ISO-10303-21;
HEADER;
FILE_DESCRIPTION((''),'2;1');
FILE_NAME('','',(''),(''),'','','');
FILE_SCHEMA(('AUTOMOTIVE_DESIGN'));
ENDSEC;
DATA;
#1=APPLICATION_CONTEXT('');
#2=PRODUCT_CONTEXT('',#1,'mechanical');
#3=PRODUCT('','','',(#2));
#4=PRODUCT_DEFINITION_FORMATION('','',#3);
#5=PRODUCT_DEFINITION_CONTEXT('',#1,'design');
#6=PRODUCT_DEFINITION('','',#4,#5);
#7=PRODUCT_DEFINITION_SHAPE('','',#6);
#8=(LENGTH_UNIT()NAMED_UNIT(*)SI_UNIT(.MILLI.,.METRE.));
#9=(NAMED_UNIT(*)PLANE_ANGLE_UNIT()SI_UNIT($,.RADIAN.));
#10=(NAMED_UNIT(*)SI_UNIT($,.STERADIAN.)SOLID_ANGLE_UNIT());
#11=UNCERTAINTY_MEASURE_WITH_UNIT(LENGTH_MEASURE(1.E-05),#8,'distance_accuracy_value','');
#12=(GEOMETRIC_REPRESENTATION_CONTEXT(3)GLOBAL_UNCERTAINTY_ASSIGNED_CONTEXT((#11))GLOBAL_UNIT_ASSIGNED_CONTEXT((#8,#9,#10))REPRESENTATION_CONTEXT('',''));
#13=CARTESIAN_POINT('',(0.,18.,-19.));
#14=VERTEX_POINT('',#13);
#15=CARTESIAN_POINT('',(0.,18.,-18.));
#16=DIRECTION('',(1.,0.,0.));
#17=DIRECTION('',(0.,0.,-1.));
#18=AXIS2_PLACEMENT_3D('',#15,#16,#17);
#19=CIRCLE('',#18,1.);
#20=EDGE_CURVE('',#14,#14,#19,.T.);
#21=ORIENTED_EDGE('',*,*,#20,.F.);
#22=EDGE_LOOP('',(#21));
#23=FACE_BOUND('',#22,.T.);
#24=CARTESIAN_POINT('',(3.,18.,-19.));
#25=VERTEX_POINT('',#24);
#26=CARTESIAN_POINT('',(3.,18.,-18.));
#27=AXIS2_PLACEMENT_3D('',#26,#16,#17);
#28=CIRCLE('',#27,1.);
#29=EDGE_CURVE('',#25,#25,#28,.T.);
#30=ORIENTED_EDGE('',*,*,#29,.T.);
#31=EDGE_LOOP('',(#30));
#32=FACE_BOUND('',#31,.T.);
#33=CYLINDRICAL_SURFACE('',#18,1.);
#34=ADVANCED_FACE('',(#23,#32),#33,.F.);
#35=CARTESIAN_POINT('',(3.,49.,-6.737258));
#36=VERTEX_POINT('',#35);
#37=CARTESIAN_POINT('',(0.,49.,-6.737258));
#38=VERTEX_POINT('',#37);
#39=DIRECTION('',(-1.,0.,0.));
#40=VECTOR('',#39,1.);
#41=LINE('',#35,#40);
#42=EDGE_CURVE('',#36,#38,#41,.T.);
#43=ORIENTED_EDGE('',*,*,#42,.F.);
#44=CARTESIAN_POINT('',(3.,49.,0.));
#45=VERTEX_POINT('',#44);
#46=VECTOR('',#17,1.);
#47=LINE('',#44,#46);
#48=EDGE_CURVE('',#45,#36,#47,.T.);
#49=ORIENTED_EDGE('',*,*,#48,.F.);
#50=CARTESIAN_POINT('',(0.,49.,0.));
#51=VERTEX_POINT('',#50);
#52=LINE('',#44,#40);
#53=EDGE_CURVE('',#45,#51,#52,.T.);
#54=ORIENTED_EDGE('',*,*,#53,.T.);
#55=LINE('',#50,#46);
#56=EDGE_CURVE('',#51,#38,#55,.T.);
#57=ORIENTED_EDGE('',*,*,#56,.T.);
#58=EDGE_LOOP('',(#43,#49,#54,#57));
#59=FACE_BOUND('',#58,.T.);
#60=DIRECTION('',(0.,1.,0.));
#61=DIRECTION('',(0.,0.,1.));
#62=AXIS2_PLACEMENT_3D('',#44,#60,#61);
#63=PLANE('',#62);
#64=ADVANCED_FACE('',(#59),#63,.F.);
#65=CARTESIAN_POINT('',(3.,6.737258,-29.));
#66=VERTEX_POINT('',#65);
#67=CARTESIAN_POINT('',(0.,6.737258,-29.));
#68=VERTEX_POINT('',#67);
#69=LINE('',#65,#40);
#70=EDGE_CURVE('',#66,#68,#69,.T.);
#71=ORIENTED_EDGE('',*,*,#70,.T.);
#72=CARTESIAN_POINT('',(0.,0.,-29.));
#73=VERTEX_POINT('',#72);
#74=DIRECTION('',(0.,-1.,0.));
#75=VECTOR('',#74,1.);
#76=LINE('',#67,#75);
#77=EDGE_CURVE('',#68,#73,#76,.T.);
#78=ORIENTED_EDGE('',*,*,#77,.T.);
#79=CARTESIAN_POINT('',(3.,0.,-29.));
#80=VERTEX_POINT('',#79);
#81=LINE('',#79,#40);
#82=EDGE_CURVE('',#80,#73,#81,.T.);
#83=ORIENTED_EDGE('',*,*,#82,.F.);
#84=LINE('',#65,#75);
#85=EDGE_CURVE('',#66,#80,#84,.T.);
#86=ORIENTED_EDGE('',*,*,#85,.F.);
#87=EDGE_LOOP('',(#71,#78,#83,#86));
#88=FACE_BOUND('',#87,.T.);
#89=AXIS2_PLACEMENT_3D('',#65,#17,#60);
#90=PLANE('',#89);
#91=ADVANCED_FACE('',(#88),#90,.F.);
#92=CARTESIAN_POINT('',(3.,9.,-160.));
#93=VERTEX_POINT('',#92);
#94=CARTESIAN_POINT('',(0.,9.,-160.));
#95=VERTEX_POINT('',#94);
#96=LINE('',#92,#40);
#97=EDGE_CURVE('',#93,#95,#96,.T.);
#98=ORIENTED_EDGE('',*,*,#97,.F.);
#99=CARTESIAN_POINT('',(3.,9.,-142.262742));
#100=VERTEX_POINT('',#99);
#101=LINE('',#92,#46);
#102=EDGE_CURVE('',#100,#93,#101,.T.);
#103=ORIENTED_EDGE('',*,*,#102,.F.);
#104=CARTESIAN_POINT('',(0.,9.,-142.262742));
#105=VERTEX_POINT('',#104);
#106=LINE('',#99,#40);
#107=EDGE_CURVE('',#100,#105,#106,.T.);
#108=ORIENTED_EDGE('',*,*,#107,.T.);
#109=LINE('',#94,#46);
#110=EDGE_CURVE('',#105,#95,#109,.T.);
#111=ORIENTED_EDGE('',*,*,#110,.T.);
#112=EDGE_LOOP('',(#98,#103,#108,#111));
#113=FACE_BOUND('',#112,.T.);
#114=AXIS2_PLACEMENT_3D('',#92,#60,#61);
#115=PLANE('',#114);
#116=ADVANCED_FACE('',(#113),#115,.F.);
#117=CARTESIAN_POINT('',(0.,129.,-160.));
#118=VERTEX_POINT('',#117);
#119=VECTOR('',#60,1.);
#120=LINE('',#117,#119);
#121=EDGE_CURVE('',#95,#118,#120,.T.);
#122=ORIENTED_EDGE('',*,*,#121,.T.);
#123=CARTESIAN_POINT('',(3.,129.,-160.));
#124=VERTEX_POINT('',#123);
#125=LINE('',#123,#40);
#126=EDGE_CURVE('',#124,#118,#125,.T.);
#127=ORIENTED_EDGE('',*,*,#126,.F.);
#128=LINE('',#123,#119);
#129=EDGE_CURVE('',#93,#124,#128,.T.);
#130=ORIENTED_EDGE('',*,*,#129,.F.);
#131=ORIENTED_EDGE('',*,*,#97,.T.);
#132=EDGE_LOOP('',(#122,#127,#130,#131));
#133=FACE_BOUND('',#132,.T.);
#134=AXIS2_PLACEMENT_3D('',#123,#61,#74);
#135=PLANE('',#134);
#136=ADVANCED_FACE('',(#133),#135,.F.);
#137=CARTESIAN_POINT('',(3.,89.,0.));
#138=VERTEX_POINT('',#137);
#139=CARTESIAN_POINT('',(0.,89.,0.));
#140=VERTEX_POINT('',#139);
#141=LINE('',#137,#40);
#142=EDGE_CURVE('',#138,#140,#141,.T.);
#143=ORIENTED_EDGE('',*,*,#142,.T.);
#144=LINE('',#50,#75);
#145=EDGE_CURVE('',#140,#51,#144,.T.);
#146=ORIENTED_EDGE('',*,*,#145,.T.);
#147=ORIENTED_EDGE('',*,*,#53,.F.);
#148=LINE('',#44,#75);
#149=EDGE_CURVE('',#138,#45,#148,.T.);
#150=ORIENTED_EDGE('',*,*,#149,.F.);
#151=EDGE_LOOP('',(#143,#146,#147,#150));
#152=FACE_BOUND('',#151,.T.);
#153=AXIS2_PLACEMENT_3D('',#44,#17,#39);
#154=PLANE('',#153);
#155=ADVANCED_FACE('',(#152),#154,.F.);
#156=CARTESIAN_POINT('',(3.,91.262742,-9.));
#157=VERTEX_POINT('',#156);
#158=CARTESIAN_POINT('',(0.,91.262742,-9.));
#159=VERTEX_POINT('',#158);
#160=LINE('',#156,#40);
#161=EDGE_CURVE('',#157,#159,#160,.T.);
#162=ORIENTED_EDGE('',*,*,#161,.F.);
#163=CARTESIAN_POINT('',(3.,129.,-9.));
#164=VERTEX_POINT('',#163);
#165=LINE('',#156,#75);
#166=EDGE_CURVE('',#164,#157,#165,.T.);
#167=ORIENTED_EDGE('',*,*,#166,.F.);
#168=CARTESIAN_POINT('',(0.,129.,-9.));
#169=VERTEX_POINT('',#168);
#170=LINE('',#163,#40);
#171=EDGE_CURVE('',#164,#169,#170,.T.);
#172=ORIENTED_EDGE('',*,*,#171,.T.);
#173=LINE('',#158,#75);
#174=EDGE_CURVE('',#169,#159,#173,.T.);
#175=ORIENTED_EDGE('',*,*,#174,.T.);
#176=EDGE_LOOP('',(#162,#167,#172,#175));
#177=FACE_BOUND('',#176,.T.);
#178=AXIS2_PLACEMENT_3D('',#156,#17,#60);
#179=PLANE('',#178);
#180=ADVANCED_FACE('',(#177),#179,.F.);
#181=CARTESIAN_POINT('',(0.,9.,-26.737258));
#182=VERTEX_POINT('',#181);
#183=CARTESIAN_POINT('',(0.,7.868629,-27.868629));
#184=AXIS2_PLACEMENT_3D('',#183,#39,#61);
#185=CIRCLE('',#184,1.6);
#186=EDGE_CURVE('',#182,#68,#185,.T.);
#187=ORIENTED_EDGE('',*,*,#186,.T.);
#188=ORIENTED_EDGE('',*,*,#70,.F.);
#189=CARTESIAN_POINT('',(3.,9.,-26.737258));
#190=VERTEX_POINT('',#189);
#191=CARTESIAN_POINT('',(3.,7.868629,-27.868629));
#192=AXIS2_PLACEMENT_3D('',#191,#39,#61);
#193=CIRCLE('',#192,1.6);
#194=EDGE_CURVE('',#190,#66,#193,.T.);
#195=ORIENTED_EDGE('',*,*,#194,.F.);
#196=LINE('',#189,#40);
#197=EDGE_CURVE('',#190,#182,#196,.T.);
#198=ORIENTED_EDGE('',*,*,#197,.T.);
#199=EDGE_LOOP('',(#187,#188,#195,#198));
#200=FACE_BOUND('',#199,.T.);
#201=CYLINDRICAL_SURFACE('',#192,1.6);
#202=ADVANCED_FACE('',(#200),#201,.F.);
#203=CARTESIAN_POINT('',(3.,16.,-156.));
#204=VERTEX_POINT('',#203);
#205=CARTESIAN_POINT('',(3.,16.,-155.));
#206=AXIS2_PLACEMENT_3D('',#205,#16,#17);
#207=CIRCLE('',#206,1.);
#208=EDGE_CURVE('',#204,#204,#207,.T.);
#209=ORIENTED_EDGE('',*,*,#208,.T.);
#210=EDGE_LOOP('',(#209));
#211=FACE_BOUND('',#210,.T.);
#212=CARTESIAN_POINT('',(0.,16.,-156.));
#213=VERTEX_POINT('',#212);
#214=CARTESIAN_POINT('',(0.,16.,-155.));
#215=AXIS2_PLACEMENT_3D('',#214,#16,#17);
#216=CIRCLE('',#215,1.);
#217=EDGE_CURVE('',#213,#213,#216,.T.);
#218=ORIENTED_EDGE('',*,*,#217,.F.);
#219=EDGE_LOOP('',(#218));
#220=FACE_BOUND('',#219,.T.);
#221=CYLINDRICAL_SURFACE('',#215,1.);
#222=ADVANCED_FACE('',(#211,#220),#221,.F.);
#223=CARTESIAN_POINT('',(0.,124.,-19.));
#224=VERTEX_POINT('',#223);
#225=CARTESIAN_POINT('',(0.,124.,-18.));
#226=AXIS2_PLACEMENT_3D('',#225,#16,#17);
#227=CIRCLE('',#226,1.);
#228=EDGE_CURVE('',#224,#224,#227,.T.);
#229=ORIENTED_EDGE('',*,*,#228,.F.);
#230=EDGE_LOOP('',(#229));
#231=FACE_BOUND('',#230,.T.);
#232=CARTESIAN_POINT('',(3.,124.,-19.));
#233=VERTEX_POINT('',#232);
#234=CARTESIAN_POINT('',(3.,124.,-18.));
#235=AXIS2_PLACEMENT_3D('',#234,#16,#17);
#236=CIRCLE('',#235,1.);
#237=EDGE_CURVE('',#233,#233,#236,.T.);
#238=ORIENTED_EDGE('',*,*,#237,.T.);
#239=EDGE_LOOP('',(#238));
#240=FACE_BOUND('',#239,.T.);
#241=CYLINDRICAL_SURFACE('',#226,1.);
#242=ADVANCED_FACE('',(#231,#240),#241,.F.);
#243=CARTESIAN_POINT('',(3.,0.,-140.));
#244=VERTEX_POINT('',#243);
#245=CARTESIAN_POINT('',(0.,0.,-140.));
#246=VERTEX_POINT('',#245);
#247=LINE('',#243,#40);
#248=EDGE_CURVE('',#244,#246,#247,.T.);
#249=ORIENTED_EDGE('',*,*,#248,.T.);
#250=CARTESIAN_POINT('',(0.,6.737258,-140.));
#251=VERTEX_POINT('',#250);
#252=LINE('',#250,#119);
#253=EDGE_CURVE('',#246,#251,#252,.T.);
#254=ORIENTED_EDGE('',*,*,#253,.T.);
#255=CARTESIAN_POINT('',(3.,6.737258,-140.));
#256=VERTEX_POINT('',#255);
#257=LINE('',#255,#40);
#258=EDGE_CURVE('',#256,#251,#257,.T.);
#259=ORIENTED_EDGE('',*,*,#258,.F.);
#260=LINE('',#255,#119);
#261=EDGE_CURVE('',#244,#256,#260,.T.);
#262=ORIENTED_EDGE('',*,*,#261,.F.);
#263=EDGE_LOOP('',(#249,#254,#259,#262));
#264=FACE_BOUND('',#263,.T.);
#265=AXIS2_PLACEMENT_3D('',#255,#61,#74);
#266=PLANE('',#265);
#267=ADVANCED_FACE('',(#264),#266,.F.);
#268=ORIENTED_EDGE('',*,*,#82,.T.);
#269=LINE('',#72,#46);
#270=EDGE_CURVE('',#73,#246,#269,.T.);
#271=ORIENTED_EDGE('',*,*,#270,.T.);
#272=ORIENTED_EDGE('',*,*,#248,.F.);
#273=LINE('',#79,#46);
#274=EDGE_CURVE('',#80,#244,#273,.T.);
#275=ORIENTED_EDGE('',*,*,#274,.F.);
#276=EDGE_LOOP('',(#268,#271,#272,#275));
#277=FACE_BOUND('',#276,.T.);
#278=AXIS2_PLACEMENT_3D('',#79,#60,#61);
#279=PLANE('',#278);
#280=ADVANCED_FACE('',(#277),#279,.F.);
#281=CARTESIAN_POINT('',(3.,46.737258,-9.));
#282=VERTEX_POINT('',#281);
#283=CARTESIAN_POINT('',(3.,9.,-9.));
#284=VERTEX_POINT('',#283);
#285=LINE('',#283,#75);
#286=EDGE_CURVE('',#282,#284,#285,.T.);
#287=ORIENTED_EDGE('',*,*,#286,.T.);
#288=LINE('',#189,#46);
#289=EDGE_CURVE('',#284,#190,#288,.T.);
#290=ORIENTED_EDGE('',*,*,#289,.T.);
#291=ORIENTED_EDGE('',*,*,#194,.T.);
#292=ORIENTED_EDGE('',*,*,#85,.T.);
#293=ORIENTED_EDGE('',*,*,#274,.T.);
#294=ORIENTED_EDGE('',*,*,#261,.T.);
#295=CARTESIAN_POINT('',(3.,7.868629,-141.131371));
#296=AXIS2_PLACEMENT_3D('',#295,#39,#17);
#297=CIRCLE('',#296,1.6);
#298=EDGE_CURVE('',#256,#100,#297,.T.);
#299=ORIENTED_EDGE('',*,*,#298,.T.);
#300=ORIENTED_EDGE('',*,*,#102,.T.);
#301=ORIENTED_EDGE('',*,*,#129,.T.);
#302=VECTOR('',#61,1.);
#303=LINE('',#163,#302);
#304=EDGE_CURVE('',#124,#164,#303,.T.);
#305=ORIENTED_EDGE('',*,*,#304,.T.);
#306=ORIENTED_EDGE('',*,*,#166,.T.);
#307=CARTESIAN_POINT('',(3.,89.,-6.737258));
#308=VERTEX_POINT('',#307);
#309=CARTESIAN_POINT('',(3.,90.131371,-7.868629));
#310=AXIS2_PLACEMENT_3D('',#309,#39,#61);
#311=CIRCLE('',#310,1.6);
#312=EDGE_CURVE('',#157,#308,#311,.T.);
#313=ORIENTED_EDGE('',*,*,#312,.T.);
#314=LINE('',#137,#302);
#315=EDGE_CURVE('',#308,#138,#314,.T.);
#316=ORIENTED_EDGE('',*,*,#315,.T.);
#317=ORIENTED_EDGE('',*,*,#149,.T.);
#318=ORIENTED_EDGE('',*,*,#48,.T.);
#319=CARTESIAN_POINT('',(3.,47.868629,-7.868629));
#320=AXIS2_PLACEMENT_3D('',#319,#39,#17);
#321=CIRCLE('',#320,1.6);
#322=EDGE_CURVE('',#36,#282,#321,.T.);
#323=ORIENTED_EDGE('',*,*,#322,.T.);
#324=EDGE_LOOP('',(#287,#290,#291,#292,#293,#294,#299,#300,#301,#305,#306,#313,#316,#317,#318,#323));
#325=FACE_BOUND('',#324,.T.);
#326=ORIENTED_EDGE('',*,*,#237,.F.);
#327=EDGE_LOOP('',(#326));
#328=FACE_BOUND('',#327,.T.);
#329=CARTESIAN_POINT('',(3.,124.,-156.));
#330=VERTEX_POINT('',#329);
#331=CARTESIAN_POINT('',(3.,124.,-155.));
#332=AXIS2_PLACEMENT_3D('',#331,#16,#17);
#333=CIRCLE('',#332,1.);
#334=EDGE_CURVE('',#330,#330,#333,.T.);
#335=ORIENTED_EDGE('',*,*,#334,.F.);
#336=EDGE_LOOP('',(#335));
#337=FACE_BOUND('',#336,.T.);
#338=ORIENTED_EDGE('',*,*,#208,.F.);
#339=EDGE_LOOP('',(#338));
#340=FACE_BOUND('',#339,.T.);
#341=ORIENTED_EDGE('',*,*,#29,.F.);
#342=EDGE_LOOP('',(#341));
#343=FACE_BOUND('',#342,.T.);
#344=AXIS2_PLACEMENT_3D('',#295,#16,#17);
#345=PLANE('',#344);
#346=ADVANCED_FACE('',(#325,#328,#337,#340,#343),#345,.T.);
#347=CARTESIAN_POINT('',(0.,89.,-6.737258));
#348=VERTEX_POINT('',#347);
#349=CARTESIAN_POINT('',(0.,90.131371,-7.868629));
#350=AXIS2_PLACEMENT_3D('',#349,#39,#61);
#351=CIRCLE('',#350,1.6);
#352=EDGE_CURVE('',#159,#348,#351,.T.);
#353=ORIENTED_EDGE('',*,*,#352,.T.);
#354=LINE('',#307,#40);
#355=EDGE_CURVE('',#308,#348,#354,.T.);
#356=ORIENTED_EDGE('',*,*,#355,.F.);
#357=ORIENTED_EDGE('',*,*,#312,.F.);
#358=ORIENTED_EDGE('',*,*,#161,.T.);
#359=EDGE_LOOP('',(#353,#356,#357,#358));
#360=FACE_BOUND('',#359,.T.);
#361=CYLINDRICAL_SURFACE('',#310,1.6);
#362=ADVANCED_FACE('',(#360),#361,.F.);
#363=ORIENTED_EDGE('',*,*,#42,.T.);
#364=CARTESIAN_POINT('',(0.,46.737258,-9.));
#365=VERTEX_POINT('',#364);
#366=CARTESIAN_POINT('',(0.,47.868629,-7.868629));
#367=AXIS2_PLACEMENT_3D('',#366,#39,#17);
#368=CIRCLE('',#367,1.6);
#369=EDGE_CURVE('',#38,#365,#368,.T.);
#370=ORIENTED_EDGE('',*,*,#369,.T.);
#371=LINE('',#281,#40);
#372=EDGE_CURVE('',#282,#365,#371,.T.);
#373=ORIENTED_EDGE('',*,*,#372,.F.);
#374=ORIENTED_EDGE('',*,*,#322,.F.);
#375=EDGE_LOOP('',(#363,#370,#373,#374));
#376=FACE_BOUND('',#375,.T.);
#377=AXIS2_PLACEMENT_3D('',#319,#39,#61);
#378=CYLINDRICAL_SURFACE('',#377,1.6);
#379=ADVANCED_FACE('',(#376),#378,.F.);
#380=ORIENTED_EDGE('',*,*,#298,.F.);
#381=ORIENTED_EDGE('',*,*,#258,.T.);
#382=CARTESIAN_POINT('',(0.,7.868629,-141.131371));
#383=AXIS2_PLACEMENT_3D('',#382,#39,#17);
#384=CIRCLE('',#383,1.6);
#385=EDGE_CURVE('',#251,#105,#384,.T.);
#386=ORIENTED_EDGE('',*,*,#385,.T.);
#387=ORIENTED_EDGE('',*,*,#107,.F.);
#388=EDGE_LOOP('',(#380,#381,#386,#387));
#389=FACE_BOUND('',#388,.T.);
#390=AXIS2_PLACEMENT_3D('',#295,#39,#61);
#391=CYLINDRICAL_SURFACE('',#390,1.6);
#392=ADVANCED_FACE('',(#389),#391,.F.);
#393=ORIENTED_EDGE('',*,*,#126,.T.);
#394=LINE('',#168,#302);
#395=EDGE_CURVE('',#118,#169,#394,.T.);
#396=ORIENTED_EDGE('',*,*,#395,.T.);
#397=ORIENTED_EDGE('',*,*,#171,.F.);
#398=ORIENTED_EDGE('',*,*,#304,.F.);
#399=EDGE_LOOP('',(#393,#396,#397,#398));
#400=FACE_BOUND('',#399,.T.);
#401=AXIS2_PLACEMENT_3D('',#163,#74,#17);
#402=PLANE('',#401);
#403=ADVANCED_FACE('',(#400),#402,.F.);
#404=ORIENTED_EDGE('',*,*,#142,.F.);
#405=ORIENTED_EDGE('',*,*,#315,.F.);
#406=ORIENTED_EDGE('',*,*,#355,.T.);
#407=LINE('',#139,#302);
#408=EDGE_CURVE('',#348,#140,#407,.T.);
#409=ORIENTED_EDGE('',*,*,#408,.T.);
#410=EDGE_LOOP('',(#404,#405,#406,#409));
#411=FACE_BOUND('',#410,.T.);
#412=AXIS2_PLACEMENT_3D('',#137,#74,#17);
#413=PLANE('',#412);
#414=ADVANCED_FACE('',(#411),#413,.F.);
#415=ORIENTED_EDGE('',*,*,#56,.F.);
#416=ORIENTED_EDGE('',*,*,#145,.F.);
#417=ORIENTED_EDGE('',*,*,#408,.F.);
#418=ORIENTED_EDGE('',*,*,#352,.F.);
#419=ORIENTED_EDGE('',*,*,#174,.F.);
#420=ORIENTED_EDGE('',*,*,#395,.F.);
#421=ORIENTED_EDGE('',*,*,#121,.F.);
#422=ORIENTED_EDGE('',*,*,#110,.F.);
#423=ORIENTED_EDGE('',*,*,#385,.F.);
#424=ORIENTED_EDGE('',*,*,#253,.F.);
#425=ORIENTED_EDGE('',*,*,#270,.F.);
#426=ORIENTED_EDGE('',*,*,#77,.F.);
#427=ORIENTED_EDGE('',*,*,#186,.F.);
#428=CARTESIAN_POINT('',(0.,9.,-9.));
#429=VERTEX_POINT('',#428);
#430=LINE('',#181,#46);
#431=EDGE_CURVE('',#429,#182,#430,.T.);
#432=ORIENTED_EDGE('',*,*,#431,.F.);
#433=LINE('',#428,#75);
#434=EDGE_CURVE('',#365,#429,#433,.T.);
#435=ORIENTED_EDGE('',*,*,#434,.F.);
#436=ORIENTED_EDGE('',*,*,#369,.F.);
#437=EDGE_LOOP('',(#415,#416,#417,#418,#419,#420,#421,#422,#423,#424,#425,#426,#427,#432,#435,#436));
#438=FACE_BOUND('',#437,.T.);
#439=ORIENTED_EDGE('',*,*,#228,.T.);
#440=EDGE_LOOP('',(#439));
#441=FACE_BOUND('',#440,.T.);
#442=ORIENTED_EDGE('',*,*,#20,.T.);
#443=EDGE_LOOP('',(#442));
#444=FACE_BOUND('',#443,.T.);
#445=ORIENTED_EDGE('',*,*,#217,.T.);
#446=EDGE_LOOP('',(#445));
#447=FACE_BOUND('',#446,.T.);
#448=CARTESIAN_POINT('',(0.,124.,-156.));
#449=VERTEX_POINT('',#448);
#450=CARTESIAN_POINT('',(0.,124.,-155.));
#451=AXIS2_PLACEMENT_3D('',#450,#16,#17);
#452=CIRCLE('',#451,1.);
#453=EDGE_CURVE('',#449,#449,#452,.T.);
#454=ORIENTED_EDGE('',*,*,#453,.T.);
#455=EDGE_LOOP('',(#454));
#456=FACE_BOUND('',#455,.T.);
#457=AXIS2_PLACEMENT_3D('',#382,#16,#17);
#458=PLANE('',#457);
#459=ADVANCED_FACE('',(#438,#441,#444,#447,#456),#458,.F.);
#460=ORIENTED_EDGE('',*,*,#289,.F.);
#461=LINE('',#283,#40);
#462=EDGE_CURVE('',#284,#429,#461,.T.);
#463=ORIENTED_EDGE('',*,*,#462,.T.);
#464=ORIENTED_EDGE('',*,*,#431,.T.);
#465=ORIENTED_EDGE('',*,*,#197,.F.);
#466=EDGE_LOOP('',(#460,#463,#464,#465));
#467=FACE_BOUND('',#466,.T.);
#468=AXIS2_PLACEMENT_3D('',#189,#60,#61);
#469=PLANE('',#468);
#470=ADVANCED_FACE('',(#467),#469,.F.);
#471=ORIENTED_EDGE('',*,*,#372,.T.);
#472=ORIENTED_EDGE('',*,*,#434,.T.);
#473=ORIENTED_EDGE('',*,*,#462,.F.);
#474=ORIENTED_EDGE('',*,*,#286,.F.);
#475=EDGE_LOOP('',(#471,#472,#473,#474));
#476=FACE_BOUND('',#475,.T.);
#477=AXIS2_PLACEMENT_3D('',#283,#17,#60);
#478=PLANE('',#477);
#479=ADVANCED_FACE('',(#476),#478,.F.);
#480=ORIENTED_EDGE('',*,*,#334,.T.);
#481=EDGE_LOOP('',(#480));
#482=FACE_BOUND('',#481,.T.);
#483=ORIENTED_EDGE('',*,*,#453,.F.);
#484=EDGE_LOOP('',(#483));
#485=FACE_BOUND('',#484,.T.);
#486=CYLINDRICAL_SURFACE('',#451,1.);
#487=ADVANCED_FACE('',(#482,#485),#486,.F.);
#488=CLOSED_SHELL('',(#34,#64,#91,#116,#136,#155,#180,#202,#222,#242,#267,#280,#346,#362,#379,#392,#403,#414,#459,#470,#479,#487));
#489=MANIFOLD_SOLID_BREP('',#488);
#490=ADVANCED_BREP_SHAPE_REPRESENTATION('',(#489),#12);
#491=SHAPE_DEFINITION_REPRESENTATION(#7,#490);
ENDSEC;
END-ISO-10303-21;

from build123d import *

# Parameters (mm, degrees)
EXTRUSION1_DEPTH        = 3
ESQUISSE2_R             = 1
ENL_V_MAT_EXTRU_1_DEPTH = 4


with BuildPart() as part:
    # Esquisse1 → Extrusion1 (new body)
    with BuildSketch(Plane(origin=(0, 0, 0), x_dir=(0, 0, -1), z_dir=(1, 0, 0))):
        with BuildLine():
            Line((140, 6.7372583), (140, 0))
            Line((140, 0), (29, 0))
            Line((29, 0), (29, 6.7372583))
            ThreePointArc((29, 6.7372583), (29, 9), (26.7372583, 9))
            Line((26.7372583, 9), (9, 9))
            Line((9, 9), (9, 46.7372583))
            ThreePointArc((9, 46.7372583), (9, 49), (6.7372583, 49))
            Line((6.7372583, 49), (0, 49))
            Line((0, 49), (0, 89))
            Line((0, 89), (6.7372583, 89))
            ThreePointArc((6.7372583, 89), (9, 89), (9, 91.2627417))
            Line((9, 91.2627417), (9, 129))
            Line((9, 129), (160, 129))
            Line((160, 129), (160, 9))
            Line((160, 9), (142.2627417, 9))
            ThreePointArc((142.2627417, 9), (140, 9), (140, 6.7372583))
        make_face()
    extrude(amount=EXTRUSION1_DEPTH)

    # Esquisse2 → Enlèv. mat.-Extru.1 (cut, through all)
    with BuildSketch(Plane(origin=(3, 0, 0), x_dir=(0, 0, -1), z_dir=(1, 0, 0))):
        with Locations((18, 124)):
            Circle(ESQUISSE2_R)
        with Locations((155, 124)):
            Circle(ESQUISSE2_R)
        with Locations((18, 18)):
            Circle(ESQUISSE2_R)
        with Locations((155, 16)):
            Circle(ESQUISSE2_R)
    extrude(amount=-ENL_V_MAT_EXTRU_1_DEPTH, mode=Mode.SUBTRACT)


solid = part.part
